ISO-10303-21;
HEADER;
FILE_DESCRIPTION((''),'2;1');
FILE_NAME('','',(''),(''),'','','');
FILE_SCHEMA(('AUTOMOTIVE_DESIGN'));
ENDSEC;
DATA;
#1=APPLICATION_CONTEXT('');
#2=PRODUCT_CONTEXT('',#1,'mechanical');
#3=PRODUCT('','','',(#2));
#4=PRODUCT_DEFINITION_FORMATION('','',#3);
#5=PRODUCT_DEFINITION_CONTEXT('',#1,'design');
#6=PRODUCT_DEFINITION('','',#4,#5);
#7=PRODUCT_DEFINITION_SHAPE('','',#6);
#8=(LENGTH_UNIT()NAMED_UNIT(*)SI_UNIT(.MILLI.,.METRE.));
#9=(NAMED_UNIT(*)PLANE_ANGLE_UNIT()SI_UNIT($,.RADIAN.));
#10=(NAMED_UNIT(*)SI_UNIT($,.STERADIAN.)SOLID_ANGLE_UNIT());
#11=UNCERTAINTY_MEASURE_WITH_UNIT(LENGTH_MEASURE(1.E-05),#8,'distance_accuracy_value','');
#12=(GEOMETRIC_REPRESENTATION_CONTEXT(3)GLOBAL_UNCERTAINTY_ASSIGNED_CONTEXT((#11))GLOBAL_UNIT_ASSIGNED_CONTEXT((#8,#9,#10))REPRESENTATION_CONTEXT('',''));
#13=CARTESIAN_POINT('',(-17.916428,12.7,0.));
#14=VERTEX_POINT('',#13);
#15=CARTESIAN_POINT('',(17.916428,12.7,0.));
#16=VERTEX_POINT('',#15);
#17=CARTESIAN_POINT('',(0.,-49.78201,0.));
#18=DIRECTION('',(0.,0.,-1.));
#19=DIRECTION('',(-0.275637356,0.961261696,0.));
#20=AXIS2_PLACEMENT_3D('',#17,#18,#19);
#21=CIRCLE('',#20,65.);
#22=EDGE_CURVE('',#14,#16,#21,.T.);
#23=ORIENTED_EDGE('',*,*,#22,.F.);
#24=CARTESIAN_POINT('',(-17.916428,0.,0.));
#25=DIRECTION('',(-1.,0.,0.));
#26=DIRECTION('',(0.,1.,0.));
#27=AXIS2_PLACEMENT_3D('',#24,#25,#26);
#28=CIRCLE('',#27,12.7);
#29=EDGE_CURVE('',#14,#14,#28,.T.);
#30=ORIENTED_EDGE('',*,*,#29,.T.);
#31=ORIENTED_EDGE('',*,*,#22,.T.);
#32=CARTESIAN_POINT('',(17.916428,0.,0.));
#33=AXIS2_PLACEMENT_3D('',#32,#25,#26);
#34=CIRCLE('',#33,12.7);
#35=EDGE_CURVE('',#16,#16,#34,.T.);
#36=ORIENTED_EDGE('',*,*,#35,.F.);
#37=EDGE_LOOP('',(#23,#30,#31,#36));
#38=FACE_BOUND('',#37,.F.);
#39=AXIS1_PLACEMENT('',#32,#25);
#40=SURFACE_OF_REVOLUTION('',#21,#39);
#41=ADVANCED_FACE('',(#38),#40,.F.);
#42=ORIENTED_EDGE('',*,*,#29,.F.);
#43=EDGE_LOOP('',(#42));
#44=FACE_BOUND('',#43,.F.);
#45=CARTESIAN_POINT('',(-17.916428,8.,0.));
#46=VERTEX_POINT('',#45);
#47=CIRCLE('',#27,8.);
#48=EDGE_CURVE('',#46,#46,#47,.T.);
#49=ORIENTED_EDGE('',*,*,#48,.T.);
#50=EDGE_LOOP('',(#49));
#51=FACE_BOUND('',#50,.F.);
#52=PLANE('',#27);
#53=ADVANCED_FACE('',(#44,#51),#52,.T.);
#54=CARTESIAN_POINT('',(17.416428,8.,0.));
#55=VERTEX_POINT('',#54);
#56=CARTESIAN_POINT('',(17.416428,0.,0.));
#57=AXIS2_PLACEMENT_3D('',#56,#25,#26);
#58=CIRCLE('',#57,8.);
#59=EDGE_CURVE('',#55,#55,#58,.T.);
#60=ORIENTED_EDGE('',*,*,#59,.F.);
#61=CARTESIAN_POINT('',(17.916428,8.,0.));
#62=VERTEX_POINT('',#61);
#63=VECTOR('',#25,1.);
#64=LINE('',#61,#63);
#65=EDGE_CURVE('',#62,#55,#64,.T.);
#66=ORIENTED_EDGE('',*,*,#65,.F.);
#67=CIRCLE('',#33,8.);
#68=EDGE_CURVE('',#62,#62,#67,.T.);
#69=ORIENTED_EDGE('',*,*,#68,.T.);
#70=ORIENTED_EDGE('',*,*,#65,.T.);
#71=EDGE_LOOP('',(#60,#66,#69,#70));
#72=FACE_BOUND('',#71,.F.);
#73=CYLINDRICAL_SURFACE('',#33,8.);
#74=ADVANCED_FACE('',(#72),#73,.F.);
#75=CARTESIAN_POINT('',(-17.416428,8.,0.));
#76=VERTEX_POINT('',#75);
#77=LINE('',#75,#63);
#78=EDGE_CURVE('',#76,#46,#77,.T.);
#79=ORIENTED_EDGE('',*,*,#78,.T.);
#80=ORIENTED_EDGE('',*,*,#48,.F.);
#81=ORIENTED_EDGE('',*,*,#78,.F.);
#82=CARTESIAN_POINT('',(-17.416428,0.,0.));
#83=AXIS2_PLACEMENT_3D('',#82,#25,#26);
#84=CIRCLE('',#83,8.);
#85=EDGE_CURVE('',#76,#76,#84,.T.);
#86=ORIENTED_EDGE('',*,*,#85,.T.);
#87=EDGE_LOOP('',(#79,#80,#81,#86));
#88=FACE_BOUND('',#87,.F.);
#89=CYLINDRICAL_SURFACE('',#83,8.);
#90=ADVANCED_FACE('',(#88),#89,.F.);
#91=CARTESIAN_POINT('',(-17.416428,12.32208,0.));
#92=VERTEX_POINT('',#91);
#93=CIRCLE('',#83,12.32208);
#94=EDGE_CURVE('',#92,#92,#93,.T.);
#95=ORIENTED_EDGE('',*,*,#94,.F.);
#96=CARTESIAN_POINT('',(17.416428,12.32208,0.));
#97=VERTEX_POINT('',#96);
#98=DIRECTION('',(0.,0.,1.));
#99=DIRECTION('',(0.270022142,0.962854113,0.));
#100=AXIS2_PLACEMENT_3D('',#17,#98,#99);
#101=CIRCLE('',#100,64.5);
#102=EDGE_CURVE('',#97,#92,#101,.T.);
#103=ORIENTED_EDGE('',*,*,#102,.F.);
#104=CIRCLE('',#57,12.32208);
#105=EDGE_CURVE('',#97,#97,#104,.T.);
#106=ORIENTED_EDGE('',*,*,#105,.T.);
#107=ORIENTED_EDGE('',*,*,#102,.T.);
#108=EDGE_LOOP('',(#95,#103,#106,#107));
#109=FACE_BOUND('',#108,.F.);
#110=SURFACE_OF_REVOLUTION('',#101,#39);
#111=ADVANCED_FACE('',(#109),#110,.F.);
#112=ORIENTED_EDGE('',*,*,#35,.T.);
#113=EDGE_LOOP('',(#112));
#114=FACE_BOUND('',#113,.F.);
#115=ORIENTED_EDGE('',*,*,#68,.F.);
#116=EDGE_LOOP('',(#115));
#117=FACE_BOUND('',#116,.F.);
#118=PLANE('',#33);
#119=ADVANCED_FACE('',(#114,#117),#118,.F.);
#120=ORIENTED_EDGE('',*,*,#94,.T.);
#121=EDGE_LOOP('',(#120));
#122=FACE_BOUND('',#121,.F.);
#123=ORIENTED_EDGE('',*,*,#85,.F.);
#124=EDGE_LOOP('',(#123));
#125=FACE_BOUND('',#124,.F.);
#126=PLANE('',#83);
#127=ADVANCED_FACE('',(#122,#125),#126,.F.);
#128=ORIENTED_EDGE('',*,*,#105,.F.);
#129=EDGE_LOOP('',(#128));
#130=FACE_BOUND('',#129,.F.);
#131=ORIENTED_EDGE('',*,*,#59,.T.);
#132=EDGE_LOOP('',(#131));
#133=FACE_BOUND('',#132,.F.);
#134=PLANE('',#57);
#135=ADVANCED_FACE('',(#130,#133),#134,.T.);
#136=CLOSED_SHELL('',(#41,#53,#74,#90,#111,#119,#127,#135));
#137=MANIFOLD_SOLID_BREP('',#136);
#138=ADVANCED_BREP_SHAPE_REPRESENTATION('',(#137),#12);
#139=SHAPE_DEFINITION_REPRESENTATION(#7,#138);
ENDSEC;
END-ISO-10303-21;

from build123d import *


with BuildPart() as part:
    # Sketch2 → Revolve1 (revolve)
    with BuildSketch(Plane.XY):
        with BuildLine():
            Line((-17.916428128, 8), (-17.916428128, 12.7))
            ThreePointArc((-17.916428128, 12.7), (0, 15.217989764), (17.916428128, 12.7))
            Line((17.916428128, 12.7), (17.916428128, 8))
            Line((17.916428128, 8), (17.416428128, 8))
            Line((17.416428128, 8), (17.416428128, 12.322080058))
            ThreePointArc((17.416428128, 12.322080058), (0, 14.717989764), (-17.416428128, 12.322080058))
            Line((-17.416428128, 12.322080058), (-17.416428128, 8))
            Line((-17.416428128, 8), (-17.916428128, 8))
        make_face()
    revolve(axis=Axis((17.916428128, 0, 0), (-1, 0, 0)))


solid = part.part
